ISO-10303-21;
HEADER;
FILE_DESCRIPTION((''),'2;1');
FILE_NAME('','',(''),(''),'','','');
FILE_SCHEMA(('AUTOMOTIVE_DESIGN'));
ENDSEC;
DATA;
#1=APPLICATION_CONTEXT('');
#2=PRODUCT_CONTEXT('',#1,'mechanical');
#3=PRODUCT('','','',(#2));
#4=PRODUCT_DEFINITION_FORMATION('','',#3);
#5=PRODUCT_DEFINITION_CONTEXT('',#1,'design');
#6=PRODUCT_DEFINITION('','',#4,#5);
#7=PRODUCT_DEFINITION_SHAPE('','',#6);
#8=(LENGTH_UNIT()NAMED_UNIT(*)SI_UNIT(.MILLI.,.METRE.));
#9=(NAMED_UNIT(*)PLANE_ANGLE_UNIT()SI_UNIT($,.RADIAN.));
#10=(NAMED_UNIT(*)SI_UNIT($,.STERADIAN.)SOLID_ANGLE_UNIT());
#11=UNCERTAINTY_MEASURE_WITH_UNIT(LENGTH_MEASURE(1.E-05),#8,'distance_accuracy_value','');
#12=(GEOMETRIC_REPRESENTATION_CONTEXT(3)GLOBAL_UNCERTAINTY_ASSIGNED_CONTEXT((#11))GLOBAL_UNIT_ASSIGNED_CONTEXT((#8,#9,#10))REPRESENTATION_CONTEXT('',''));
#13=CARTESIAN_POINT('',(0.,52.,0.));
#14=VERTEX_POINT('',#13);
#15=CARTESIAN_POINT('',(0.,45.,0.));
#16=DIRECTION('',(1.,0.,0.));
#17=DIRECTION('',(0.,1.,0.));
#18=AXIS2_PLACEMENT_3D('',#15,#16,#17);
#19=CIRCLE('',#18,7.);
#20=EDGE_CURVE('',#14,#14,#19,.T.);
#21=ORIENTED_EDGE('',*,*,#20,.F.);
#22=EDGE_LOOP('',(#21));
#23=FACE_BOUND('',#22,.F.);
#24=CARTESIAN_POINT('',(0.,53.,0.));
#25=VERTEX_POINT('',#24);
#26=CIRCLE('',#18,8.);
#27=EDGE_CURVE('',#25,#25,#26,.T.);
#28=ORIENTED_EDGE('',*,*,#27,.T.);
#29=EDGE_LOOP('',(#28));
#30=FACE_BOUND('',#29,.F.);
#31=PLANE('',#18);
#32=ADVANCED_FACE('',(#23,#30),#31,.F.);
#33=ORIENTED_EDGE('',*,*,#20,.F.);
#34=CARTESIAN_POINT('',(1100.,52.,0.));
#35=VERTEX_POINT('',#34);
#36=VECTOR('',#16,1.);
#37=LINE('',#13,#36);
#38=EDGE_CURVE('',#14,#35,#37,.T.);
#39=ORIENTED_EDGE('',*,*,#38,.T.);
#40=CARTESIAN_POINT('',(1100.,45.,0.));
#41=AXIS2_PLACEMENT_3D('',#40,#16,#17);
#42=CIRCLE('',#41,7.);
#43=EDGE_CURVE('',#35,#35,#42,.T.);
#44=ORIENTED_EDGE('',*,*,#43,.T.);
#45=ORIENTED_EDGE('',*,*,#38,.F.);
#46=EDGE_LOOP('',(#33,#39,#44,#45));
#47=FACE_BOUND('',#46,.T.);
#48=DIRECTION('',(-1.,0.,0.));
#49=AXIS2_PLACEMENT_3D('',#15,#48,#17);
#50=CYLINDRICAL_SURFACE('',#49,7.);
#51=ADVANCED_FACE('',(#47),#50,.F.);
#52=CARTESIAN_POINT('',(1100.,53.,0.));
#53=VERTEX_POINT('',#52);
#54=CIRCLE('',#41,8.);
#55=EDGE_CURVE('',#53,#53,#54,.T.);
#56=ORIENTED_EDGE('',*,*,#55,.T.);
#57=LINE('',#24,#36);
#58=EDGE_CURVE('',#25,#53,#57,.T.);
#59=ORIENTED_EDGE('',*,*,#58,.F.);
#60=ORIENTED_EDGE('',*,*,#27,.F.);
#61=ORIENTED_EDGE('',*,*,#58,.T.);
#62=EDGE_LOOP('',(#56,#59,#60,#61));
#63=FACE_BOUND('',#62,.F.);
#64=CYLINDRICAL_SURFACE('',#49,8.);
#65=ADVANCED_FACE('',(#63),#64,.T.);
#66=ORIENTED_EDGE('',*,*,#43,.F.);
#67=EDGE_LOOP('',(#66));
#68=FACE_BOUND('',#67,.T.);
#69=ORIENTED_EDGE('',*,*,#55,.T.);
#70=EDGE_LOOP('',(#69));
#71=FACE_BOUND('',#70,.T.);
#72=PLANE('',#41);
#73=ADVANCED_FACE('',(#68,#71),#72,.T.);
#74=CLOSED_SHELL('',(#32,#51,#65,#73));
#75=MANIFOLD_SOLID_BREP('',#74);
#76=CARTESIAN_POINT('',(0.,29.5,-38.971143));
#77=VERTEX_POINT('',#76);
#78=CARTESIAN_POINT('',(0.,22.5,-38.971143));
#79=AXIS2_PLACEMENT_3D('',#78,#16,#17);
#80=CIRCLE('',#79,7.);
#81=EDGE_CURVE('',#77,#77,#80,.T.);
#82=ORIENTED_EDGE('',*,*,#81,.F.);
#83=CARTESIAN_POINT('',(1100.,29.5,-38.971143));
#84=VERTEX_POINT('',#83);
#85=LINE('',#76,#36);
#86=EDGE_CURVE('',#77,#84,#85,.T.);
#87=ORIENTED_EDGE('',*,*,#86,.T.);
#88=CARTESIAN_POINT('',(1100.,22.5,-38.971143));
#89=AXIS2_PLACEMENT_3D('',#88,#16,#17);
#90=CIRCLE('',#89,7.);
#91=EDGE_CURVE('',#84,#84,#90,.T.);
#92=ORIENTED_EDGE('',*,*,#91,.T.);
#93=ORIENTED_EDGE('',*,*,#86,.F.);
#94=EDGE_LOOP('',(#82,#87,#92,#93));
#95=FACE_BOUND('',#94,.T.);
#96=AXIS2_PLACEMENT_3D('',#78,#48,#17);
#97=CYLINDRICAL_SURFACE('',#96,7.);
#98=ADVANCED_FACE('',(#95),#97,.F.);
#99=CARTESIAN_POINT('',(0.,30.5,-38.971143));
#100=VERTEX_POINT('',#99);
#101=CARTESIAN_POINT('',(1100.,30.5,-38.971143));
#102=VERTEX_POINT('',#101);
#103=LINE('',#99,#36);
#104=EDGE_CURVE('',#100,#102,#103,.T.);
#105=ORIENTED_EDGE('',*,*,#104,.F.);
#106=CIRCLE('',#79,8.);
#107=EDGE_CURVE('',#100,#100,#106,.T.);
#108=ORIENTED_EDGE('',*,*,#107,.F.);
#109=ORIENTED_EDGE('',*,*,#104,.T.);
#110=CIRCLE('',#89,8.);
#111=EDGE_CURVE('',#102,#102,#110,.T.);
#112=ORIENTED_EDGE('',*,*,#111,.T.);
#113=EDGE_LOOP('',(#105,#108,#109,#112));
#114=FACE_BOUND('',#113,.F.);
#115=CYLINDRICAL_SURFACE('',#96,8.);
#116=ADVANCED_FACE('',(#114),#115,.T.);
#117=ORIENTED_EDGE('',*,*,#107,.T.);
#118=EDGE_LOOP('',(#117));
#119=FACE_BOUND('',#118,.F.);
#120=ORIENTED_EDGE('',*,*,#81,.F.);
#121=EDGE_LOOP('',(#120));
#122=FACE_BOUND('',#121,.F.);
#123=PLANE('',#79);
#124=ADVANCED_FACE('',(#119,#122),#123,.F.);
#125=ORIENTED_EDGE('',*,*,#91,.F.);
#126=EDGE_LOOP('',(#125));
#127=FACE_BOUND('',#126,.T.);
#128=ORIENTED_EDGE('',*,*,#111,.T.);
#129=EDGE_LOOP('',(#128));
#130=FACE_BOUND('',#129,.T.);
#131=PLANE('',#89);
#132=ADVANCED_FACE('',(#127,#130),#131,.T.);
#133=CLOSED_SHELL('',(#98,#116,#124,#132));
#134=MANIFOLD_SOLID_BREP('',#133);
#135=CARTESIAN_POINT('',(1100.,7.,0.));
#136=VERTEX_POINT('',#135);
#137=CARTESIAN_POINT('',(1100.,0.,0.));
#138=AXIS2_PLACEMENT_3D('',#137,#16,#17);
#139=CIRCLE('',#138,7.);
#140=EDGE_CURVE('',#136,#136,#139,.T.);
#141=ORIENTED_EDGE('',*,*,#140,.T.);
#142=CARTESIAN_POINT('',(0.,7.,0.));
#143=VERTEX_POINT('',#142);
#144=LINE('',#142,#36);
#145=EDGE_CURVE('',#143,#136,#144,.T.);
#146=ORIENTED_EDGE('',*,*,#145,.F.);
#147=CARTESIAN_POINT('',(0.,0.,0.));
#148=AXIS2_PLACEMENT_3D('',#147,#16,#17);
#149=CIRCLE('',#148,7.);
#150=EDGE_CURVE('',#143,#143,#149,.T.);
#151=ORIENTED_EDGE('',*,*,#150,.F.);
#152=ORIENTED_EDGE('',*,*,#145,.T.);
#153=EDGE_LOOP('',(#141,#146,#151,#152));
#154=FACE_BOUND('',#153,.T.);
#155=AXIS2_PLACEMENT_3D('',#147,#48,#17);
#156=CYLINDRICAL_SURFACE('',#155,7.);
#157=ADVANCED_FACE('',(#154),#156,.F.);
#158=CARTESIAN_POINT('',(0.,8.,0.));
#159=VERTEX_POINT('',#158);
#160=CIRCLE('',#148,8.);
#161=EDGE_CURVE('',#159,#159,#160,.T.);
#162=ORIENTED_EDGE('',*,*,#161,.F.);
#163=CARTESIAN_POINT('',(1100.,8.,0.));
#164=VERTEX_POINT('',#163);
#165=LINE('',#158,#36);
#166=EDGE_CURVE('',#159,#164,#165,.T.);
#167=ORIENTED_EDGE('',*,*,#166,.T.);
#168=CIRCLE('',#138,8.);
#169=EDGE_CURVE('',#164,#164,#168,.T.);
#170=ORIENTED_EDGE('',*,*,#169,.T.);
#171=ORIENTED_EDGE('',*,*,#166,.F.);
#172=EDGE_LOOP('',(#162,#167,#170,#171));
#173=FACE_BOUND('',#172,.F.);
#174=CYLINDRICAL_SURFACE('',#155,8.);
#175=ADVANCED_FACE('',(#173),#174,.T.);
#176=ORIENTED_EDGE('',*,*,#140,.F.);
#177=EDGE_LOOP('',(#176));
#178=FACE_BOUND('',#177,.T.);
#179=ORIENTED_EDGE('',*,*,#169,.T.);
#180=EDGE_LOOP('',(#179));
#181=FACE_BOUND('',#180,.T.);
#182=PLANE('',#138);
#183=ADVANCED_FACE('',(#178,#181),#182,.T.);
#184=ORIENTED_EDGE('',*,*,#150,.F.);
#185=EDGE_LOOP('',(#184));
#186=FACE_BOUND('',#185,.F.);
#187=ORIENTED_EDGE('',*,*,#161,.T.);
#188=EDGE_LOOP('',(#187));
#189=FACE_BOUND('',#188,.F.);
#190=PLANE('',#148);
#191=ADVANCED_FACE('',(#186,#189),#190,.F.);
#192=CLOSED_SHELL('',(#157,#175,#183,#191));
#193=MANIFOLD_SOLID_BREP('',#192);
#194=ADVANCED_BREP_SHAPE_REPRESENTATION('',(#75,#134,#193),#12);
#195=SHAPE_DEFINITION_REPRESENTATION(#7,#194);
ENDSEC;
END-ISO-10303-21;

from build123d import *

# Parameters (mm, degrees)
F0_R     = 8
F0_R_2   = 7
F1_DEPTH = 1100


with BuildPart() as f1:
    # F0 (on Right) → F1 (new body)
    with BuildSketch(Plane.YZ):
        Circle(F0_R)
        Circle(F0_R_2, mode=Mode.SUBTRACT)
        with Locations((45, 0)):
            Circle(F0_R)
        with Locations((45, 0)):
            Circle(F0_R_2, mode=Mode.SUBTRACT)
        with Locations((22.5, -38.971143)):
            Circle(F0_R)
        with Locations((22.5, -38.971143)):
            Circle(F0_R_2, mode=Mode.SUBTRACT)
    extrude(amount=F1_DEPTH)


solid = f1.part
